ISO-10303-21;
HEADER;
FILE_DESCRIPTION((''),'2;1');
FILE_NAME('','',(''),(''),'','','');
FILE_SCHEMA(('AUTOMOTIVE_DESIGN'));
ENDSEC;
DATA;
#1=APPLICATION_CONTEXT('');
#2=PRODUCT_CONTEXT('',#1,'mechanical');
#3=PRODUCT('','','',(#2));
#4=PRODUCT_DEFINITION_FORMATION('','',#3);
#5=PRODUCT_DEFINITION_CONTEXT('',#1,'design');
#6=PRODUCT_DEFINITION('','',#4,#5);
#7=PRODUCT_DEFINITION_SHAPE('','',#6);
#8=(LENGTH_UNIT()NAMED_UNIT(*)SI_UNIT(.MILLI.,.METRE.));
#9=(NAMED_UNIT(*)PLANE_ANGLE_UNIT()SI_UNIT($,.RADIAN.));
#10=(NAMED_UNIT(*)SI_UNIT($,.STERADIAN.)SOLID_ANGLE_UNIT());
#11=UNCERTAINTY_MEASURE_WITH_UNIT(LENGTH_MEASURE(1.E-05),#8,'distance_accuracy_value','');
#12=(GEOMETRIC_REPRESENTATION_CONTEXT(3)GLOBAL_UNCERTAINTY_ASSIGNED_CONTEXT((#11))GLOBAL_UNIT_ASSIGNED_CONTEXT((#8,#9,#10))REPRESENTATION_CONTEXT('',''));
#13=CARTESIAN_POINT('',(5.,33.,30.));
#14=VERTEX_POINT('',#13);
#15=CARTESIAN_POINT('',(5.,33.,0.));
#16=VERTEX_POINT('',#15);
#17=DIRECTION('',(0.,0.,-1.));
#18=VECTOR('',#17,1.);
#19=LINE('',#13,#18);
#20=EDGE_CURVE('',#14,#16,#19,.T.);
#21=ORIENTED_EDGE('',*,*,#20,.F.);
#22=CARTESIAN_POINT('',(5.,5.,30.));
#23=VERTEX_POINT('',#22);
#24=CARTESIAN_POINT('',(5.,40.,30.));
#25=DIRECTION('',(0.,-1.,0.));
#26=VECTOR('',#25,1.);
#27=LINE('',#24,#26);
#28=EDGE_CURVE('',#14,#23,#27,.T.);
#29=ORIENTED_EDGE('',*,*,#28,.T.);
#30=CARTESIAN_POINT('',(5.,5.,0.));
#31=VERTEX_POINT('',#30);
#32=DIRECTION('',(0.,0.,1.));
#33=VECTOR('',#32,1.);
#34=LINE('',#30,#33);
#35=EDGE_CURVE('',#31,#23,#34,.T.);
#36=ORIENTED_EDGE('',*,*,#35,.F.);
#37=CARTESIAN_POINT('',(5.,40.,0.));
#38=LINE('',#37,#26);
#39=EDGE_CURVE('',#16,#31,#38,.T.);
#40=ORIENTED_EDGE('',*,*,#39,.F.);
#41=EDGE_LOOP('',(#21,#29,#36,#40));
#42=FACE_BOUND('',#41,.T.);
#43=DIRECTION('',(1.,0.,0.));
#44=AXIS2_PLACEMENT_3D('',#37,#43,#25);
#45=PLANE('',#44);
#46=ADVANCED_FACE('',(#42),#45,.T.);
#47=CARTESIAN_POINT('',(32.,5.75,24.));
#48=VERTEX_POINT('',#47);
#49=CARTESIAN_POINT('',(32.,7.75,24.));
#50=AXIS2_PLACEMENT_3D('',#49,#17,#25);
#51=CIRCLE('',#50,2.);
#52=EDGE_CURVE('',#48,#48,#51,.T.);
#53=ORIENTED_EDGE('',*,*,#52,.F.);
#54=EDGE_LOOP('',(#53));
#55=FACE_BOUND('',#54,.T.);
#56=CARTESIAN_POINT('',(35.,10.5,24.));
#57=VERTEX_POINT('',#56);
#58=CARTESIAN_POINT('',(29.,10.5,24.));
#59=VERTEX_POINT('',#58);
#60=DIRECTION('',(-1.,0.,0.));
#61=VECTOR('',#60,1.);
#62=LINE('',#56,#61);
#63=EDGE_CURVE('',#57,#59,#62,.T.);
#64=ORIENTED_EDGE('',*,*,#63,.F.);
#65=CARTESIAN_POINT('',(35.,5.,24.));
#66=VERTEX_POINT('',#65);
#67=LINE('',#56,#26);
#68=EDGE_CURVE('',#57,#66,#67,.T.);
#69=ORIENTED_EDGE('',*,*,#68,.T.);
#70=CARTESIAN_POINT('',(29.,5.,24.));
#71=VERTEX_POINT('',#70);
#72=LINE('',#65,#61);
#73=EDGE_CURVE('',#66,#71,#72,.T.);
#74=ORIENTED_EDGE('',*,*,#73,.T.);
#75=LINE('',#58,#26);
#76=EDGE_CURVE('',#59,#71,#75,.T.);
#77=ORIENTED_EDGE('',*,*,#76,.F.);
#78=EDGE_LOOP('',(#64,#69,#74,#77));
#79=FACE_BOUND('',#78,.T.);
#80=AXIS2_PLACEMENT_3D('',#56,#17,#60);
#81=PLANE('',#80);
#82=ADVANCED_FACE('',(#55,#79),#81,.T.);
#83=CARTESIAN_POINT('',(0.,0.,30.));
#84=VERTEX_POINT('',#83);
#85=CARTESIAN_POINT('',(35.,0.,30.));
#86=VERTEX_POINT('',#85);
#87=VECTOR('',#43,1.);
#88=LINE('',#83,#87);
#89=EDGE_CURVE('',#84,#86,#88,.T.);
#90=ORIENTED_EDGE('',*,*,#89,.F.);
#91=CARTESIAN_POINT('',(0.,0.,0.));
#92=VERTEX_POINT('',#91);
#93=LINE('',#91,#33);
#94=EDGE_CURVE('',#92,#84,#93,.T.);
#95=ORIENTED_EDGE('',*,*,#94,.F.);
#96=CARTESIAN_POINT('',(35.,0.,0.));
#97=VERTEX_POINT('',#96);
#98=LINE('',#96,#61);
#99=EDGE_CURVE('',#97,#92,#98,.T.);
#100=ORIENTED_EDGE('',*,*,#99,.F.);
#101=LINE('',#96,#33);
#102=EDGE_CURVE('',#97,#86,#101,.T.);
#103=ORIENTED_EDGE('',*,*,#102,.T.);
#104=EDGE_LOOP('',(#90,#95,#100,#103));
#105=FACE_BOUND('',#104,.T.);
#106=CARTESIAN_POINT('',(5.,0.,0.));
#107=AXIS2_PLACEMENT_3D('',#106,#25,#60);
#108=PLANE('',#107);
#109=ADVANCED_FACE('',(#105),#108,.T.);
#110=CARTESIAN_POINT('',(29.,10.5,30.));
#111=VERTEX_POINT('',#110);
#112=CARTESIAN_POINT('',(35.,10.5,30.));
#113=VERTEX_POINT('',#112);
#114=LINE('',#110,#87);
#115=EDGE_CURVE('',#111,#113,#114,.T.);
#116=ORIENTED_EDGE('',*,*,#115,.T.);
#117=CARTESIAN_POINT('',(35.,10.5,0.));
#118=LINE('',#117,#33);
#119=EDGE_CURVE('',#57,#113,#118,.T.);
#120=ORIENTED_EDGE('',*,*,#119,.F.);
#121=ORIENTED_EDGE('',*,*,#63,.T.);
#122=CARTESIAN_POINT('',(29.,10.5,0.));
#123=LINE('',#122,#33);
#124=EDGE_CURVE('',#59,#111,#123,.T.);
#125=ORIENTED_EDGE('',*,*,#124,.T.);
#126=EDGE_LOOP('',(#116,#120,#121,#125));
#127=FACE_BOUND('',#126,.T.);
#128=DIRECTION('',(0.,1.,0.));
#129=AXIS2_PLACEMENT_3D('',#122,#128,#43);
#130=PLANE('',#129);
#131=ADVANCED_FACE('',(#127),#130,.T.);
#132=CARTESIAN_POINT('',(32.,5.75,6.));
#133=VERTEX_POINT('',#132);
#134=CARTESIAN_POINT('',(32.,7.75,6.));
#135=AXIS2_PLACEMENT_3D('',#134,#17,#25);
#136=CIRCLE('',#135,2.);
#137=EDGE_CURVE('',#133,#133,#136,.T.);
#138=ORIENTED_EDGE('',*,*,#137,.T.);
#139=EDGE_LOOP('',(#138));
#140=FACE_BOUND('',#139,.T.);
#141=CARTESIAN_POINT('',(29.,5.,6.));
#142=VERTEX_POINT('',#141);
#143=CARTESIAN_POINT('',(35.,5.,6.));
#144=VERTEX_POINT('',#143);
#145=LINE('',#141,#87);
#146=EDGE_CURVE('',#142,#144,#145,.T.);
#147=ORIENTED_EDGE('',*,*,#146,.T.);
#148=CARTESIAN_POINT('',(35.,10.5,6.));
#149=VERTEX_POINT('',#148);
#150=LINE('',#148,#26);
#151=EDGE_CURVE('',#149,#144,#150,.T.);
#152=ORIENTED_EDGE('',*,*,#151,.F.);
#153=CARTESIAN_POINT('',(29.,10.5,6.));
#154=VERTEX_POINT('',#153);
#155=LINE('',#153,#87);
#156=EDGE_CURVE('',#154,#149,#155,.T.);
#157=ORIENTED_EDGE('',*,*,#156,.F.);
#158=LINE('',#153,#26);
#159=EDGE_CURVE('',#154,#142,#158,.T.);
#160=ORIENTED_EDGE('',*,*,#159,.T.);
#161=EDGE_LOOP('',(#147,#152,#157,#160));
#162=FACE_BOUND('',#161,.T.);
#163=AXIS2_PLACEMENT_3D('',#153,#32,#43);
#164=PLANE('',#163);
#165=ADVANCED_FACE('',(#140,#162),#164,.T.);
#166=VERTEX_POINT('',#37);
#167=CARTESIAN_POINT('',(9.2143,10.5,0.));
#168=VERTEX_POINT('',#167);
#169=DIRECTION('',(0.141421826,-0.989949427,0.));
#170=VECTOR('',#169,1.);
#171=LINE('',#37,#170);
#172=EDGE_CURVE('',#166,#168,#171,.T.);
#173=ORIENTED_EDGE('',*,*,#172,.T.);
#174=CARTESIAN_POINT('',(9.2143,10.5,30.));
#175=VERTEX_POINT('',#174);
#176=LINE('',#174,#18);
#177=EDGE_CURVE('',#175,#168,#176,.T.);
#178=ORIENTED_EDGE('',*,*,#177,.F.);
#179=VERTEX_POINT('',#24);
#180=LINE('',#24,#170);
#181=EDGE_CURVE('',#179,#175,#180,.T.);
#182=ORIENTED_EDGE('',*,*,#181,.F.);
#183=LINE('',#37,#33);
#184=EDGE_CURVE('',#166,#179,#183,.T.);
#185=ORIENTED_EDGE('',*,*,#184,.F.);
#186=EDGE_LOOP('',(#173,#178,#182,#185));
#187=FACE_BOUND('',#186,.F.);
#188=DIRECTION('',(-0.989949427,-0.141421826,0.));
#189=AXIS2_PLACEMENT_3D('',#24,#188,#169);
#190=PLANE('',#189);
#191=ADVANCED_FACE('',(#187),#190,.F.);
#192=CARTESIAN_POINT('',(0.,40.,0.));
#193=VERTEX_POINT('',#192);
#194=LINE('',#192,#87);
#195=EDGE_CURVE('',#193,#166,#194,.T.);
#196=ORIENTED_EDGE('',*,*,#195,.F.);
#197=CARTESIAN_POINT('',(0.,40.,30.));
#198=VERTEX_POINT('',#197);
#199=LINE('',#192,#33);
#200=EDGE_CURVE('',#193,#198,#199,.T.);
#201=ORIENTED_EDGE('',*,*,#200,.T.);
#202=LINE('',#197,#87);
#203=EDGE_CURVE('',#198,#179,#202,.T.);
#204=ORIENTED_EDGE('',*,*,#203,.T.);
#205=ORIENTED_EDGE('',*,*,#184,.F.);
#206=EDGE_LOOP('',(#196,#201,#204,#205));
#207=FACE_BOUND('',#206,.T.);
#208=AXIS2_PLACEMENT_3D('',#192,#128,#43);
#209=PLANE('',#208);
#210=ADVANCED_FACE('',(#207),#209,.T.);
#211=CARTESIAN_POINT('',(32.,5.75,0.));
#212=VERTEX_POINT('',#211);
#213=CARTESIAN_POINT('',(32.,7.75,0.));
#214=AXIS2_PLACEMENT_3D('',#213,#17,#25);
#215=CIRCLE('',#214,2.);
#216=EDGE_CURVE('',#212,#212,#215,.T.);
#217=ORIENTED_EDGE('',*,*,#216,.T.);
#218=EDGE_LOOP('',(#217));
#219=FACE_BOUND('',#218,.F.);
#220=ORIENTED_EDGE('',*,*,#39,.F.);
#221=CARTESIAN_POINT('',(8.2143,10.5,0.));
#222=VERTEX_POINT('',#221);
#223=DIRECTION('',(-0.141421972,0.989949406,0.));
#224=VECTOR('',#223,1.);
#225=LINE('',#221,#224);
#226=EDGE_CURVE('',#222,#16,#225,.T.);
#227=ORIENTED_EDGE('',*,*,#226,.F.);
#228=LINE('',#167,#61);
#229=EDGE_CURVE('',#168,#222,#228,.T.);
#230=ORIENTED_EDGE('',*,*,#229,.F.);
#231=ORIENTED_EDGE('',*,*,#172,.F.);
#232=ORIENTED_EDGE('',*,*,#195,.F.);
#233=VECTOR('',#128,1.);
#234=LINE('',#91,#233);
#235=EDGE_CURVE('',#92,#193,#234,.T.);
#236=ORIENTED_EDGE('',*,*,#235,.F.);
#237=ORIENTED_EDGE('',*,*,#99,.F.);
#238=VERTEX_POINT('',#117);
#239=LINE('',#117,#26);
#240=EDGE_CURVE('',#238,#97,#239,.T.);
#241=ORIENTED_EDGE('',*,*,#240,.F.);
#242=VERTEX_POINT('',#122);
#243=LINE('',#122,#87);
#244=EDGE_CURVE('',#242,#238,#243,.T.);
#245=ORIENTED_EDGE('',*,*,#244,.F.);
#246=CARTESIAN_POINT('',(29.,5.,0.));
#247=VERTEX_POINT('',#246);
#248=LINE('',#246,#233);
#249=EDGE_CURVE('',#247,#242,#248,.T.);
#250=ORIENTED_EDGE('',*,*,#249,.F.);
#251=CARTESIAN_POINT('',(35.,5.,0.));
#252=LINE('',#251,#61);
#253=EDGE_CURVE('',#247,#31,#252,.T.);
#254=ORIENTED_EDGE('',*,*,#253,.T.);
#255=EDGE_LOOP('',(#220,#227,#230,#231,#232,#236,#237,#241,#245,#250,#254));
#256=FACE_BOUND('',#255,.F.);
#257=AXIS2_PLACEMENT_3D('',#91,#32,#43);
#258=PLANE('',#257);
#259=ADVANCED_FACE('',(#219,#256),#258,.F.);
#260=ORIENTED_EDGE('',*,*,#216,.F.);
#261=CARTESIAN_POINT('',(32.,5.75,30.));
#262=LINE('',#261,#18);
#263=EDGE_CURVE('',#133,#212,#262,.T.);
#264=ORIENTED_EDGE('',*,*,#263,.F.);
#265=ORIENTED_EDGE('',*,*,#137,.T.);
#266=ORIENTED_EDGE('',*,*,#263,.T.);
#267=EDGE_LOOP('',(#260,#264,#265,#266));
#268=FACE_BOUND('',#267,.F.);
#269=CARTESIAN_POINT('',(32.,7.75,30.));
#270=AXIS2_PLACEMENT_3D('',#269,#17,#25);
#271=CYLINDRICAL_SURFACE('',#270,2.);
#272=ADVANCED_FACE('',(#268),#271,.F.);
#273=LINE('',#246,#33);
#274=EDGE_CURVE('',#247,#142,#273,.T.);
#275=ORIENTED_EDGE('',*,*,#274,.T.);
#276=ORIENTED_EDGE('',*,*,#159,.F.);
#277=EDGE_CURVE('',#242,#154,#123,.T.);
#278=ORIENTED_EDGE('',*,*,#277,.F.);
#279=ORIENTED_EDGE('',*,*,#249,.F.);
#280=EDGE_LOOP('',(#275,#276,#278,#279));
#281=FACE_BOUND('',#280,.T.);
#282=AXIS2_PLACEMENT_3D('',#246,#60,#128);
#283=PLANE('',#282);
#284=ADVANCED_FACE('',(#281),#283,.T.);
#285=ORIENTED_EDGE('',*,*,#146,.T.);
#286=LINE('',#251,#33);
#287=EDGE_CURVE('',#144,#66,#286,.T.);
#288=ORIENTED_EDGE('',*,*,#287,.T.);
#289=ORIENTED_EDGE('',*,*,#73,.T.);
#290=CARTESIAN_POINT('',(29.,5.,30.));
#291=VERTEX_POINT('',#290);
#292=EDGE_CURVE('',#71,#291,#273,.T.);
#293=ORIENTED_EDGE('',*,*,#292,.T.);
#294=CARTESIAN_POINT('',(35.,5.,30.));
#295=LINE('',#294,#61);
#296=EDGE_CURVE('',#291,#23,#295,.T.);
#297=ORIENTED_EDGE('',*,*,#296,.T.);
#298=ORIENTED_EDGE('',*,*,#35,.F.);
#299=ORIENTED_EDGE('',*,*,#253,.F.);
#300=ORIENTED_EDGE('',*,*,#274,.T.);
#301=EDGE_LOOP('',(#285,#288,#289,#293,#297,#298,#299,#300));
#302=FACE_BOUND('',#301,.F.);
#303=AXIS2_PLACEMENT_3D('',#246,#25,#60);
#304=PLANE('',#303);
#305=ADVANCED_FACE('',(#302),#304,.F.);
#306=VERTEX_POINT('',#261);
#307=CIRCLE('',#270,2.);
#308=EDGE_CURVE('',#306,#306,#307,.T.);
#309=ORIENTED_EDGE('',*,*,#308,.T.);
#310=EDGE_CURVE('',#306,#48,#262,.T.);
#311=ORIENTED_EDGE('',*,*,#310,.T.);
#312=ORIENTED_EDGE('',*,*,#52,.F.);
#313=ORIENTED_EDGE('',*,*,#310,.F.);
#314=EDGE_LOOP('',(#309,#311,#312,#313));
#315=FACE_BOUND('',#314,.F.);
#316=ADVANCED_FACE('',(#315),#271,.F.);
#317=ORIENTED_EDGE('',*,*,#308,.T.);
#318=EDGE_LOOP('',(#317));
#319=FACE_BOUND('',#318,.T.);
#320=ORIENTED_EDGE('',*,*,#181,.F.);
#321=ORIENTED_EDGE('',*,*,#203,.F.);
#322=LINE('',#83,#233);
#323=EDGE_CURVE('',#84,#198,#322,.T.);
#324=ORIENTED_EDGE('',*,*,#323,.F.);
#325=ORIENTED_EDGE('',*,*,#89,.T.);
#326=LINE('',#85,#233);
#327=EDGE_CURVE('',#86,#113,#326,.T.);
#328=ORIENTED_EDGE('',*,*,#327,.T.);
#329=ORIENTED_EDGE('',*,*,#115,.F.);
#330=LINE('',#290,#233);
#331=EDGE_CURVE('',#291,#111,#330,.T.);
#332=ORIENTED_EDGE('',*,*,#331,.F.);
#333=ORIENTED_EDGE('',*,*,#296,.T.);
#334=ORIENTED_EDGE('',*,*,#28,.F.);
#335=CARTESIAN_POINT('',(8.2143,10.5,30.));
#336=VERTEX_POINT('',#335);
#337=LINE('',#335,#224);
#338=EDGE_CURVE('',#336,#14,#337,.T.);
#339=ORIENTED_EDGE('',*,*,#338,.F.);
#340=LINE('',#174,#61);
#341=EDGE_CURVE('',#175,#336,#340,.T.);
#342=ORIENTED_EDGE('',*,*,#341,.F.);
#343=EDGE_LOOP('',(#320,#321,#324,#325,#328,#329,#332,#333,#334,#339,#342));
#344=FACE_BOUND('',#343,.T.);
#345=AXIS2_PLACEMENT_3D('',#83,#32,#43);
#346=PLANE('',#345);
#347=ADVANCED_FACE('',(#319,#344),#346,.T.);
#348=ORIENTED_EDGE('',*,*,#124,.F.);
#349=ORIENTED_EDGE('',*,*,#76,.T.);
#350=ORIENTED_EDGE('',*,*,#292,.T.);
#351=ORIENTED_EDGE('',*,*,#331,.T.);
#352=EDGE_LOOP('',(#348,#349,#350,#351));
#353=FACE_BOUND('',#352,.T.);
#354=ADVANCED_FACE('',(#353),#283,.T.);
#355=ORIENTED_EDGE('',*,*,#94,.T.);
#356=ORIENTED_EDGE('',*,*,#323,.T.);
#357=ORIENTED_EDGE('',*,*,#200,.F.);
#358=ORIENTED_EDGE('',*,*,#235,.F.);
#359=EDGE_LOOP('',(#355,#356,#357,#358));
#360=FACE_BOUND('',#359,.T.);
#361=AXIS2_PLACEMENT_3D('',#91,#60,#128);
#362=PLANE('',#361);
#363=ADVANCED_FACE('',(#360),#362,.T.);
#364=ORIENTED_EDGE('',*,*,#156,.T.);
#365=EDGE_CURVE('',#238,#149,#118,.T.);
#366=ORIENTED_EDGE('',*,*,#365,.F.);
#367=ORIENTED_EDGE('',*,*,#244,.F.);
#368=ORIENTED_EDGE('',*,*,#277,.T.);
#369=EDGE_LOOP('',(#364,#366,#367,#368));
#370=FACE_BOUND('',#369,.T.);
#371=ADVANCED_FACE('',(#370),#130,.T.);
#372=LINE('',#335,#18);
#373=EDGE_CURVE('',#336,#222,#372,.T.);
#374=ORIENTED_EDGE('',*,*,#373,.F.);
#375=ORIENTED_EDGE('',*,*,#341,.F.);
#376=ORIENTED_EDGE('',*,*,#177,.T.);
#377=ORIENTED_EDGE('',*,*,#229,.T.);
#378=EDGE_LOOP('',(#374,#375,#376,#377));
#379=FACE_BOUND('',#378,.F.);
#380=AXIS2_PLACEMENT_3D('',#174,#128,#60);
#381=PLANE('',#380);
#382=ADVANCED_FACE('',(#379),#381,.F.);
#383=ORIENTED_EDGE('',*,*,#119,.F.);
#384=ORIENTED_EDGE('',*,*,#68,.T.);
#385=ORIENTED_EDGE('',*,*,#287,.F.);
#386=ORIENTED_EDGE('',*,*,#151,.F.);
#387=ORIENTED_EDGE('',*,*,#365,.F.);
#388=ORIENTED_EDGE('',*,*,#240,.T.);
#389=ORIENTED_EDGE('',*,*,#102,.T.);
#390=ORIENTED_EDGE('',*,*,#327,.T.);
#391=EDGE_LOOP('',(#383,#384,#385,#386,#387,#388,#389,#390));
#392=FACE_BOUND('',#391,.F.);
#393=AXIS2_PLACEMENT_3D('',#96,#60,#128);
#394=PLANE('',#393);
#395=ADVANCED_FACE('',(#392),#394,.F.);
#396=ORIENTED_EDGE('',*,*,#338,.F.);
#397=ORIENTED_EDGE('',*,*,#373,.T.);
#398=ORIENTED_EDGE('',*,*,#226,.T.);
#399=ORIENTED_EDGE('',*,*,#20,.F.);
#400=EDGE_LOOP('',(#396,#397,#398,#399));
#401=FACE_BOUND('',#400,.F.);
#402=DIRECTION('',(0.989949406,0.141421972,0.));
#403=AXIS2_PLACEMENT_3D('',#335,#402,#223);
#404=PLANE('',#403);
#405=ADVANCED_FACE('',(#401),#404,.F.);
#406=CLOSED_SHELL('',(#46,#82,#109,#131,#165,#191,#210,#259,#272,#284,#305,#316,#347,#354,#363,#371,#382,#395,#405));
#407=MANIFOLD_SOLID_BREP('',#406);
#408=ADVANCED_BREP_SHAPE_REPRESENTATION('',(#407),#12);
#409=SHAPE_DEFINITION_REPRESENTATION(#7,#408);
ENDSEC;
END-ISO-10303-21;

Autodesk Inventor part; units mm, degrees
ref_plane "YZ Plane" through (0, 0, 0) normal (1, 0, 0) x (0, 1, 0)
ref_plane "XZ Plane" through (0, 0, 0) normal (0, 1, 0) x (-1, 0, 0)
ref_plane "XY Plane" through (0, 0, 0) normal (0, 0, 1) x (1, 0, 0)
sketch "Sketch1" plane through (0, 0, 0) normal (0, 0, 1) x (1, 0, 0)
  line L0 (0, 40) -> (5, 40)
  line L1 (5, 40) -> (5, 0)
  line L2 (5, 0) -> (0, 0)
  line L3 (0, 0) -> (0, 40)
  line L4 (5, 0) -> (35, 0)
  line L5 (35, 0) -> (35, 5)
  line L6 (35, 5) -> (5, 5)
  line L7 (5, 5) -> (5, 0)
  line L8 (35, 5) -> (29, 5)
  line L9 (29, 5) -> (29, 10.5)
  line L10 (29, 10.5) -> (35, 10.5)
  line L11 (35, 10.5) -> (35, 5)
  dimension "d0" = 5
  dimension "d1" = 5
  dimension "d2" = 30
  dimension "d4" = 35
  dimension "d7" = 5.5
  dimension "d8" = 6
extrude "Extrusion1" add sketch "Sketch1" along normal blind 30
sketch "Sketch2" plane through (0, 0, 30) normal (0, 0, 1) x (1, 0, 0)
  line L0 (35, 0) -> (35, 10.5) projected
  line L1 (35, 10.5) -> (29, 10.5) projected
  line L2 (29, 10.5) -> (29, 5) projected
  line L3 (29, 5) -> (5, 5) projected
  line L4 (5, 5) -> (5, 40) projected
  line L5 (5, 40) -> (0, 40) projected
  line L6 (0, 40) -> (0, 0) projected
  line L7 (0, 0) -> (35, 0) projected
  line L8 (5, 40) -> (9.2143, 10.5)
  line L9 (9.2143, 10.5) -> (8.2143, 10.5)
  line L10 (8.2143, 10.5) -> (5, 33)
  line L11 (5, 5) -> (5, 40) projected
  line L12 (5, 40) -> (5, 33)
  point P0 (8.7143, 10.5)
  point P1 (32, 10.5)
  dimension "d9" = 1
  dimension "d10" = 7
extrude "Extrusion2" add sketch "Sketch2" against normal up to surface (30 mm away) contours L8 L9 L10 L4
sketch "Sketch3" plane through (0, 0, 30) normal (0, 0, 1) x (1, 0, 0)
  line L0 (35, 0) -> (35, 10.5) projected
  line L1 (35, 10.5) -> (29, 10.5) projected
  line L2 (29, 10.5) -> (29, 5) projected
  line L3 (29, 5) -> (5, 5) projected
  line L4 (5, 5) -> (5, 33) projected
  line L5 (5, 33) -> (8.2143, 10.5) projected
  line L6 (8.2143, 10.5) -> (9.2143, 10.5) projected
  line L7 (9.2143, 10.5) -> (5, 40) projected
  line L8 (5, 40) -> (0, 40) projected
  line L9 (0, 40) -> (0, 0) projected
  line L10 (0, 0) -> (35, 0) projected
  point P0 (32, 7.75)
  point P1 (29, 7.75)
  point P2 (32, 10.5)
hole "Hole1" at (32, 7.75, 30) direction (0, 0, -1) diameter 4 end through all
sketch "Sketch4" plane through (29, 10.5, 0) normal (0, 1, 0) x (1, 0, 0)
  line L0 (6, 0) -> (0, 0) projected
  line L1 (0, 0) -> (0, -30) projected
  line L2 (6, -30) -> (0, -30) projected
  line L3 (6, 0) -> (6, -30) projected
  line L4 (0, 0) -> (0, -30) projected
  line L5 (6, 0) -> (6, -30) projected
  line L6 (0, -6) -> (6, -6)
  line L7 (6, -6) -> (6, -24)
  line L8 (6, -24) -> (0, -24)
  line L9 (0, -24) -> (0, -6)
  point P0 (-29, 0)
  dimension "d20" = 6
  dimension "d21" = 6
extrude "Extrusion3" cut sketch "Sketch4" against normal up to surface (5.5 mm away) contours L3 L8 L1 L6
equation "\"d21\" = d20"
properties part number "gpsFrame"
